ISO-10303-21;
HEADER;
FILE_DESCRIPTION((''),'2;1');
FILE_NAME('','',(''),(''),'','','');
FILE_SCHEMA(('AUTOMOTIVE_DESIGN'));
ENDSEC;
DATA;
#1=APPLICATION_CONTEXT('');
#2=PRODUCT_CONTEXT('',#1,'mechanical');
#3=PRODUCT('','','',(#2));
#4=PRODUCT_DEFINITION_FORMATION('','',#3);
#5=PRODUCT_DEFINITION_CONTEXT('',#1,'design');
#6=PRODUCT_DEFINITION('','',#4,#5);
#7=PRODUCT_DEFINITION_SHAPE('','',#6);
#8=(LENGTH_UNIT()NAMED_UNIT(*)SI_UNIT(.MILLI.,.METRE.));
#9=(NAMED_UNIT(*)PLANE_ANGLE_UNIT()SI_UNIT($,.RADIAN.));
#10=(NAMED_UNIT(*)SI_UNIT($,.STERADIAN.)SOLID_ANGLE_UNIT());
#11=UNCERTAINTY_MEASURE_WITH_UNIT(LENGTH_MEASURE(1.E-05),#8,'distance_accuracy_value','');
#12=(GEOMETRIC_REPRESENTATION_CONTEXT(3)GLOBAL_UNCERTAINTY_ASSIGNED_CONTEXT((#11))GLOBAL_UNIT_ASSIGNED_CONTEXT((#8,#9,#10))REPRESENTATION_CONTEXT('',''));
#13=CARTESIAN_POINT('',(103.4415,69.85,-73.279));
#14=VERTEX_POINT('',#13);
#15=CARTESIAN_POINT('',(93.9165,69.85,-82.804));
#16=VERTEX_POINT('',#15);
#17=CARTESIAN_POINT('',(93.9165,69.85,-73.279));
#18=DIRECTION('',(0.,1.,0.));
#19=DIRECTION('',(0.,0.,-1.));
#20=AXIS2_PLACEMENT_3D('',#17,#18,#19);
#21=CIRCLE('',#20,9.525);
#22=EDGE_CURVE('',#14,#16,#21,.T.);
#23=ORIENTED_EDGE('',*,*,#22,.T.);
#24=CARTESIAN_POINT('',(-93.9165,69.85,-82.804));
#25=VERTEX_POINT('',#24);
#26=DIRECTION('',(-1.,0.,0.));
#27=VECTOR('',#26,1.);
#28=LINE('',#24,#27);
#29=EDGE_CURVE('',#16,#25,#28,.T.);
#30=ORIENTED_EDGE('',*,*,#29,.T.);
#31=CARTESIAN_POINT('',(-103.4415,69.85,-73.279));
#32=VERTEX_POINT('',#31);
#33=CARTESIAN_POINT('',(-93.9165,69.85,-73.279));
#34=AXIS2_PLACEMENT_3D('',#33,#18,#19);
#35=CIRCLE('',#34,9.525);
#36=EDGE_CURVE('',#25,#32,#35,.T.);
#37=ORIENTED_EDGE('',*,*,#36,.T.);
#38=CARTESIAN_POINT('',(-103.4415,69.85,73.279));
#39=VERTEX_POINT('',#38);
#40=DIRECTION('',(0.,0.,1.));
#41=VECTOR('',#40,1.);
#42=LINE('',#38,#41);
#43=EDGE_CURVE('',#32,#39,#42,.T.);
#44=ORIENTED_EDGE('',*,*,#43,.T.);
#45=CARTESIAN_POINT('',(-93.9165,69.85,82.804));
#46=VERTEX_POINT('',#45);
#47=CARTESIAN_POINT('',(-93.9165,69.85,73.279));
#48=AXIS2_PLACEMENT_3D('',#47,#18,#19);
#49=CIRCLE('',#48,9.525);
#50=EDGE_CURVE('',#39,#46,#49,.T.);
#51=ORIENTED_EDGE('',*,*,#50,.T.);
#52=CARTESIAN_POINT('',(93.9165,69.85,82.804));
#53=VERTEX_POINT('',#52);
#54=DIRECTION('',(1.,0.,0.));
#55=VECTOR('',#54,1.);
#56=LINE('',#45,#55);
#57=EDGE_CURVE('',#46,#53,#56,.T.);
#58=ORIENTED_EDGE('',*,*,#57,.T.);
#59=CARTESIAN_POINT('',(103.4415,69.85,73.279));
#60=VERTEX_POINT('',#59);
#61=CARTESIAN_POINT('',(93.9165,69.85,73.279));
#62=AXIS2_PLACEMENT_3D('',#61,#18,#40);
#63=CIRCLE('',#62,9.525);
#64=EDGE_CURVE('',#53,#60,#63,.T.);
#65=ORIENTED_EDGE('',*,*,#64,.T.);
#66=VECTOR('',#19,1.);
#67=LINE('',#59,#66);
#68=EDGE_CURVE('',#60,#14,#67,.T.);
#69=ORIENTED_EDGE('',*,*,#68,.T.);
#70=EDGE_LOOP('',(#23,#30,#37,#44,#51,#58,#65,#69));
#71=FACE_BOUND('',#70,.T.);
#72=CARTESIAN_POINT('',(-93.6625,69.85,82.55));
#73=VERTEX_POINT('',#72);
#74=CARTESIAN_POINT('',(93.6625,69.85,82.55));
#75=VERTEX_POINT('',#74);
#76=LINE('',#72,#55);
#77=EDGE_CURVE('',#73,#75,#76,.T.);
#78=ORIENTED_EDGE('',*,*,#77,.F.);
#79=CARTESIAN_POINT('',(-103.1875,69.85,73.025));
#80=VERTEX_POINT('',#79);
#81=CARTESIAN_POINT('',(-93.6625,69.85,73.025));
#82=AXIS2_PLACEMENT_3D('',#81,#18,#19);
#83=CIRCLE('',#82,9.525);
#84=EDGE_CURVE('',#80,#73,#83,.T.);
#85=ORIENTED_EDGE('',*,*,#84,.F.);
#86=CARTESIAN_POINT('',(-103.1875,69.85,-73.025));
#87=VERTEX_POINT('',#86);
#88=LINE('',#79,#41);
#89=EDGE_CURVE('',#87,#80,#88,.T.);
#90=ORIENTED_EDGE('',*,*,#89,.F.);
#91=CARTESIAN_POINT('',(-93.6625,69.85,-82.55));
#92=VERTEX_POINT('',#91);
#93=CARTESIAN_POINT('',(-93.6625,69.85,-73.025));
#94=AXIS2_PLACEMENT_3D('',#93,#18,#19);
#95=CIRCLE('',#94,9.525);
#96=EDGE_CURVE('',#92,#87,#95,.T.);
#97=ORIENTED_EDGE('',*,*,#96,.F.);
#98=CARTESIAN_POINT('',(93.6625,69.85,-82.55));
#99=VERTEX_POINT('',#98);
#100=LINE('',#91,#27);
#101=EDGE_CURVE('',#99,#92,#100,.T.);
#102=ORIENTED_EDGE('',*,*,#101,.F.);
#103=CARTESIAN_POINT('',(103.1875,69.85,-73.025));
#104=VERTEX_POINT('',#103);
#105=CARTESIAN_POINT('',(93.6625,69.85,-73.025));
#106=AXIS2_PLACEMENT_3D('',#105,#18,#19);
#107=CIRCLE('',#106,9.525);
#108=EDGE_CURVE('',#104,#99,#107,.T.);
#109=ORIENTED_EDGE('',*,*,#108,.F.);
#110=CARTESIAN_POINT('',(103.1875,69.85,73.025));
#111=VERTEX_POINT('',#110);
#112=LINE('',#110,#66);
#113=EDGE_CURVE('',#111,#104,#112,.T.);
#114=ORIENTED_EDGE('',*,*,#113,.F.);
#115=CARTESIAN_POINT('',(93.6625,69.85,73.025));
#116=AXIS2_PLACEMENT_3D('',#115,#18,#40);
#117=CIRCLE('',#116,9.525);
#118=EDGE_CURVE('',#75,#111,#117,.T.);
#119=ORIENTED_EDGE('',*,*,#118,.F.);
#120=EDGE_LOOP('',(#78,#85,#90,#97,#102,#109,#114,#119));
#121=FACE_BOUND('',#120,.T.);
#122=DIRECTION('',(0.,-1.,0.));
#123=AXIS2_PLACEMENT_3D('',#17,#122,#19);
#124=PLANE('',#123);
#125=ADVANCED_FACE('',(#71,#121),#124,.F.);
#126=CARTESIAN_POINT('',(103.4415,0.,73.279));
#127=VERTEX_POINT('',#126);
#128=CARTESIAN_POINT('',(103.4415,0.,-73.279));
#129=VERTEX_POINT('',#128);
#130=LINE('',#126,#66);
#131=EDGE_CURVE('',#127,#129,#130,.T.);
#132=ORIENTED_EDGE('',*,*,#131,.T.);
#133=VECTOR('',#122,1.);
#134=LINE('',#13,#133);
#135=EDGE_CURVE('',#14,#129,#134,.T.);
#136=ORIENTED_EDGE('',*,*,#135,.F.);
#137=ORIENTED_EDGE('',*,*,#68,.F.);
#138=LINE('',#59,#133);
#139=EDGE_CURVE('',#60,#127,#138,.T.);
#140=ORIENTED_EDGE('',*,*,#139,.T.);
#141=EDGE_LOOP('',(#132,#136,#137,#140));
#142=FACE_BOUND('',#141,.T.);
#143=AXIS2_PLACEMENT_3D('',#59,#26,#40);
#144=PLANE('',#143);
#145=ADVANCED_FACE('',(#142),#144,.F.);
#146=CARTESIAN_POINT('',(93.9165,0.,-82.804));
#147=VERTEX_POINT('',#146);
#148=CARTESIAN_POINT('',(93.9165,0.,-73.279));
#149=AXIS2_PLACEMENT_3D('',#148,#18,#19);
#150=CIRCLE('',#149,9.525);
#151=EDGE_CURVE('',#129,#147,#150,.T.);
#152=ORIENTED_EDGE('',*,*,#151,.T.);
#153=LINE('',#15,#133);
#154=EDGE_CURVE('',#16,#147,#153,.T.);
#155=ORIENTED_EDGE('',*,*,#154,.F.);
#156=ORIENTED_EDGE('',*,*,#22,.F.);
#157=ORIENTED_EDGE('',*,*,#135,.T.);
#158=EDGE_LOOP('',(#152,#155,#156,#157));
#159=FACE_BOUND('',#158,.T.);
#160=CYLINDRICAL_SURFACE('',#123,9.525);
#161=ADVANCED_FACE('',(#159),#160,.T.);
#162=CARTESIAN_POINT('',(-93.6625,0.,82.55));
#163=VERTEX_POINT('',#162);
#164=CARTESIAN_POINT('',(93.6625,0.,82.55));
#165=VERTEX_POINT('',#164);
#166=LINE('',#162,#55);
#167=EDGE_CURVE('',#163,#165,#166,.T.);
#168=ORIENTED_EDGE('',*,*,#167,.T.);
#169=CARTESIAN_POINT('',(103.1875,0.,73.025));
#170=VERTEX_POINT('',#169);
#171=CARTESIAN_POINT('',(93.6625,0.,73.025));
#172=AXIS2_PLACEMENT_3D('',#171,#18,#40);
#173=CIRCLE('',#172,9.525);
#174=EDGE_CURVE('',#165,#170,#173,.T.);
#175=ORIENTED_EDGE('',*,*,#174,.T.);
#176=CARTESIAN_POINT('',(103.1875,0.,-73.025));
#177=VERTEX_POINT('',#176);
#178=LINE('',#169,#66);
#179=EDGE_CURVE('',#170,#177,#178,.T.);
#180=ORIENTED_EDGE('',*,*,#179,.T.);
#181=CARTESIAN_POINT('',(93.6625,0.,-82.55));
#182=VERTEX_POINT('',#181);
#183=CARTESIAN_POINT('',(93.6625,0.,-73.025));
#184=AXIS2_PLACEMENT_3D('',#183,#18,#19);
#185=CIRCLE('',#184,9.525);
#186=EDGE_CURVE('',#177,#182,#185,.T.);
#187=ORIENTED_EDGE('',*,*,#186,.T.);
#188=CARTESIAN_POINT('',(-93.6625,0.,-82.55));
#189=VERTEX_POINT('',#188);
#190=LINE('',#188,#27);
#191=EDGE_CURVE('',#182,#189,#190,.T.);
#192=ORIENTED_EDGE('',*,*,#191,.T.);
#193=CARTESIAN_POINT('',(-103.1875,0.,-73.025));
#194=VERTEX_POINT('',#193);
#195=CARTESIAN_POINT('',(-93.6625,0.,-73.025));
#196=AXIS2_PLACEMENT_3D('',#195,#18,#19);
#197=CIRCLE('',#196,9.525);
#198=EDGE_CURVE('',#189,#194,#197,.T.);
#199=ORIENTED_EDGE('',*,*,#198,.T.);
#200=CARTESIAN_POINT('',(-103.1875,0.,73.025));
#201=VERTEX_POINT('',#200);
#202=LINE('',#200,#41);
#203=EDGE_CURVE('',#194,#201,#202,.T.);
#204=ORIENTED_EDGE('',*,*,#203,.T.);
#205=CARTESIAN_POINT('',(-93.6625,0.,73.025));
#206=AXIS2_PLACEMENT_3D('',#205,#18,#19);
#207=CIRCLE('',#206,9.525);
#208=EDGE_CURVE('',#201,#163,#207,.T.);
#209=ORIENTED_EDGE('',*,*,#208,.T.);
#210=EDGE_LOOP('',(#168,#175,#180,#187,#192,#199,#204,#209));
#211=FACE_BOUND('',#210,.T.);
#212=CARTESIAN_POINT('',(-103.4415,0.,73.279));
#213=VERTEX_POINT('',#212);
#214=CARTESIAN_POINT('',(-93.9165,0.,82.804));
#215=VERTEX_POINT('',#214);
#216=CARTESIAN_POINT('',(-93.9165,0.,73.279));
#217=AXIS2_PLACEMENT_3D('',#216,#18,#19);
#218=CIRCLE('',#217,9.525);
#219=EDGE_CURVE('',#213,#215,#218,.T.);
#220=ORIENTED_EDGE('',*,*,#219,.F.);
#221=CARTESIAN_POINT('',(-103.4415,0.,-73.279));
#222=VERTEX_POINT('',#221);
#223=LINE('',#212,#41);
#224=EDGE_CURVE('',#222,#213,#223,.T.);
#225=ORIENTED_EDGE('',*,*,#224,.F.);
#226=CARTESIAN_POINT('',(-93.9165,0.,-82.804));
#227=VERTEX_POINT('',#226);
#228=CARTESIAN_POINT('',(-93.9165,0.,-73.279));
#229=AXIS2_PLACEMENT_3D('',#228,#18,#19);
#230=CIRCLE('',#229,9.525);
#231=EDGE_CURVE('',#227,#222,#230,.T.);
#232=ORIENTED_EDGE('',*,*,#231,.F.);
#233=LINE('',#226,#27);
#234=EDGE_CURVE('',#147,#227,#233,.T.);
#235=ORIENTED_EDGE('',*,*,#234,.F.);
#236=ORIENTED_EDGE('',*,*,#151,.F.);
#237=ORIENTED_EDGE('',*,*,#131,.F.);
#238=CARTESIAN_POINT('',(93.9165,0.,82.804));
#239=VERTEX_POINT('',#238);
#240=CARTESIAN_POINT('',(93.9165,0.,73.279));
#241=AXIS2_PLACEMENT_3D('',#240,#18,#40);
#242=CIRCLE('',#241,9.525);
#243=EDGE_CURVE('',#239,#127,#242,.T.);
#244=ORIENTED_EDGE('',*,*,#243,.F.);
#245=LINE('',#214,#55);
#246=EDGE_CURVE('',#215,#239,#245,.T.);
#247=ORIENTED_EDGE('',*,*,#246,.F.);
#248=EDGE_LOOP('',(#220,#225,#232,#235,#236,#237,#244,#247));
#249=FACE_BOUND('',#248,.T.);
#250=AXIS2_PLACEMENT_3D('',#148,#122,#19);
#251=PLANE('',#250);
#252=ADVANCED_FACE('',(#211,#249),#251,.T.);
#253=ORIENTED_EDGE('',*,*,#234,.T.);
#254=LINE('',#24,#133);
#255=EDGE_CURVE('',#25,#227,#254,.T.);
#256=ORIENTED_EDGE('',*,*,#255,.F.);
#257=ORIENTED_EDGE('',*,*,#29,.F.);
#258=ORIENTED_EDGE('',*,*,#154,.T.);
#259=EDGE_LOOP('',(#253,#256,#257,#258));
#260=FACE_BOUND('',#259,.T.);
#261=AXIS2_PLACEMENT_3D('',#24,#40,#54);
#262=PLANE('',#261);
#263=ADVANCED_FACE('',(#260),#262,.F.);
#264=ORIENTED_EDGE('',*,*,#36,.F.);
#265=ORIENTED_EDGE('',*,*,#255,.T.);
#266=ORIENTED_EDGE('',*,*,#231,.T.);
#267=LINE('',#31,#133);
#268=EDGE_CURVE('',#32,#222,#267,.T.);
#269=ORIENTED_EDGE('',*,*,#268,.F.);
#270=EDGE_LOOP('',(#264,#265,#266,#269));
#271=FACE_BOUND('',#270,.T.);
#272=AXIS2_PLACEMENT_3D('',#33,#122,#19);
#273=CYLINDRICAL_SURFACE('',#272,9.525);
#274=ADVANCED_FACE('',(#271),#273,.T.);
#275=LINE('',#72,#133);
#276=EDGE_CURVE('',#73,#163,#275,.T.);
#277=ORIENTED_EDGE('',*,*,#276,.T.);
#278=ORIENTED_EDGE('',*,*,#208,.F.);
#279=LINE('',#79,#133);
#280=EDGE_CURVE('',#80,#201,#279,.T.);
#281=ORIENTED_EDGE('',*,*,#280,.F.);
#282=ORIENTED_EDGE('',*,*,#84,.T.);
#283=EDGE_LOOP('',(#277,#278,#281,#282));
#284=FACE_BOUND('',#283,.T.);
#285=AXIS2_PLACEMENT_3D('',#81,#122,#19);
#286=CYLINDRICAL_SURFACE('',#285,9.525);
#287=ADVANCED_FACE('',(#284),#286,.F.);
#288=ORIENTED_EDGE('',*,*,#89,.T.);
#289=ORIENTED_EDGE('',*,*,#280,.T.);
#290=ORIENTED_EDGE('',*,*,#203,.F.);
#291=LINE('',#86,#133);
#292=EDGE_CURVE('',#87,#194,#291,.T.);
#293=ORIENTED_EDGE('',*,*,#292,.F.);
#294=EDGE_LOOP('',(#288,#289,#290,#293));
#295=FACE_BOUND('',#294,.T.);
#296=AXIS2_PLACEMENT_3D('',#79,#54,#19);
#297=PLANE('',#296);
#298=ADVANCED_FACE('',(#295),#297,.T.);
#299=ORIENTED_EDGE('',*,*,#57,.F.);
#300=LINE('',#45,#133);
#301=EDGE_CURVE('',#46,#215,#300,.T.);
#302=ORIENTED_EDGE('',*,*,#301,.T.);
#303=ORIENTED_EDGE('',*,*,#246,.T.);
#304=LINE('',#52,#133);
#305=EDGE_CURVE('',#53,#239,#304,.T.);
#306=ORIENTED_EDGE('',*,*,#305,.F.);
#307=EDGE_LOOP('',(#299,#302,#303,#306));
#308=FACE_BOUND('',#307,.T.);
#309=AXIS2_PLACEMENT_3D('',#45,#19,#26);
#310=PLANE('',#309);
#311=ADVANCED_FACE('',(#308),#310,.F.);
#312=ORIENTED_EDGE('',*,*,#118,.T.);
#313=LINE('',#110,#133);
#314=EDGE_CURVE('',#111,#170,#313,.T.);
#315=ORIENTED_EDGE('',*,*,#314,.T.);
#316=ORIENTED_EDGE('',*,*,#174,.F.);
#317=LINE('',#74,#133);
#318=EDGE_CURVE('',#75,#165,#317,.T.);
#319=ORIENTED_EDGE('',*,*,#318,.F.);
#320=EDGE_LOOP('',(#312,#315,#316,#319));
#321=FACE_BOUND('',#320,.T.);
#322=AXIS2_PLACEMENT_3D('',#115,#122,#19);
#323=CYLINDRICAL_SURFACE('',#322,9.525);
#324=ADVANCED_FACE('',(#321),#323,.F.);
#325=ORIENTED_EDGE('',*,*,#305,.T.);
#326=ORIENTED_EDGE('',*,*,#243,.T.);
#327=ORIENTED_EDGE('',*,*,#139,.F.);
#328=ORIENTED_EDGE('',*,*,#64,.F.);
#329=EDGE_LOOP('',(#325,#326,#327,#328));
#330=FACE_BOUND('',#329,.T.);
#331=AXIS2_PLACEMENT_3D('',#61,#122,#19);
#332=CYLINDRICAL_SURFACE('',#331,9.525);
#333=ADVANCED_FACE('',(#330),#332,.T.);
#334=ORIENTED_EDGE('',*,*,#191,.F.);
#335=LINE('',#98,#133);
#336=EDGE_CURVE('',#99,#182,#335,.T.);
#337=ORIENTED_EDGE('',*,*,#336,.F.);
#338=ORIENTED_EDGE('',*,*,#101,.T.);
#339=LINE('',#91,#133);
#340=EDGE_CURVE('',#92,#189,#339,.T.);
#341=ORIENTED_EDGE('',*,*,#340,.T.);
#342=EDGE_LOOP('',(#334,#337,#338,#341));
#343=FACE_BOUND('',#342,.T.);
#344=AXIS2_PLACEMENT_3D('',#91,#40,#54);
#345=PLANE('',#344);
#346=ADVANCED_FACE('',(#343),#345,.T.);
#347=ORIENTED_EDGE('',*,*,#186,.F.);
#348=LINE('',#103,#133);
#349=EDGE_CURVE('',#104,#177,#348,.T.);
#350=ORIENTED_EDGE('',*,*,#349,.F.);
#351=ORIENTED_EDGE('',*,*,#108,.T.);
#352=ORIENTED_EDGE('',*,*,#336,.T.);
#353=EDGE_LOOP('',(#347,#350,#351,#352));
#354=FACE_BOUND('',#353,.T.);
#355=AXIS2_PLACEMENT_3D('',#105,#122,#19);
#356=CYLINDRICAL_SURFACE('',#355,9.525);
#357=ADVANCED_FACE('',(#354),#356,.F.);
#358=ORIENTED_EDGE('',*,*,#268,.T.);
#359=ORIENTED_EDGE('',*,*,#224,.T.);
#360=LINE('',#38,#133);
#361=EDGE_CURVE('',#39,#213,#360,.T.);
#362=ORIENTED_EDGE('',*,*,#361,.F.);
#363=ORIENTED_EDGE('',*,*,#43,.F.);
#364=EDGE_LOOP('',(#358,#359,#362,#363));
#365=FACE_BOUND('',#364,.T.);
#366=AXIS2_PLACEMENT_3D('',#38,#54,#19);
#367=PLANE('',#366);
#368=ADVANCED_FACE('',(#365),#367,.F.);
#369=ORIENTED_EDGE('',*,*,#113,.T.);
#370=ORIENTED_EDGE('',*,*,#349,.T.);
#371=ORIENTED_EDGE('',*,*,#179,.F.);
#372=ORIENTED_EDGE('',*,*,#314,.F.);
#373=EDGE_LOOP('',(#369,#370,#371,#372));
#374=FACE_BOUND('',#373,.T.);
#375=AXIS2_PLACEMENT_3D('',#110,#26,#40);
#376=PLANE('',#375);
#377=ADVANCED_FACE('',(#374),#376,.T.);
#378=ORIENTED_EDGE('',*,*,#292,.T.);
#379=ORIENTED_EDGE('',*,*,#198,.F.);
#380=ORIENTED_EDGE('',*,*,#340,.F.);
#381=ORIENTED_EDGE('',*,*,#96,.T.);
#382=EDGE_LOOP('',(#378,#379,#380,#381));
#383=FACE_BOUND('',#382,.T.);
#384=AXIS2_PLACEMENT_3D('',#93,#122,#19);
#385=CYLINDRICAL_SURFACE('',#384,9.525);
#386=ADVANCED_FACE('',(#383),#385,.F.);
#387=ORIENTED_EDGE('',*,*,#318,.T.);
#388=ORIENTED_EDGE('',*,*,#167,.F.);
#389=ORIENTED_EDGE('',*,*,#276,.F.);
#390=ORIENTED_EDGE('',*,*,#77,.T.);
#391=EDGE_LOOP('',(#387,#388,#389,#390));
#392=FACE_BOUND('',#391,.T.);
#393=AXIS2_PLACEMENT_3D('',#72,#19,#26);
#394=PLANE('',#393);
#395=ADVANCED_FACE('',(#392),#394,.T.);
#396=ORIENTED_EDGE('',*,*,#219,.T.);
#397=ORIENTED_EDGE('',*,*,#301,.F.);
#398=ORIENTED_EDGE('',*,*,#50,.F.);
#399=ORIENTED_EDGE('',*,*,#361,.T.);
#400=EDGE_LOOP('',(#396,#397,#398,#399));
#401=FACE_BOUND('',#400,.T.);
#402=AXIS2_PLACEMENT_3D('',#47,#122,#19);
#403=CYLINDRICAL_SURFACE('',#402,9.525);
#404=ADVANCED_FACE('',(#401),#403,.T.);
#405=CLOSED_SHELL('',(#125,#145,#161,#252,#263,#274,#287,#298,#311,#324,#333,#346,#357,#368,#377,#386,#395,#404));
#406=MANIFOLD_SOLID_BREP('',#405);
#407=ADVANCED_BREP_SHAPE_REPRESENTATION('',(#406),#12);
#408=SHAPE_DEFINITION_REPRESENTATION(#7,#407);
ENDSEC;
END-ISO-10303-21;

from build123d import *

# Parameters (mm, degrees)
BOSS_EXTRUDE1_DEPTH = 69.85


with BuildPart() as part:
    # Sketch1 → Boss-Extrude1 (new body)
    with BuildSketch(Plane(origin=(0, 0, 0), x_dir=(1, 0, 0), z_dir=(0, 1, 0))):
        with BuildLine():
            Line((-93.9165, -82.804), (93.9165, -82.804))
            ThreePointArc((93.9165, -82.804), (100.651692091, -80.014192091), (103.4415, -73.279))
            Line((103.4415, -73.279), (103.4415, 73.279))
            ThreePointArc((103.4415, 73.279), (100.651692091, 80.014192091), (93.9165, 82.804))
            Line((93.9165, 82.804), (-93.9165, 82.804))
            ThreePointArc((-93.9165, 82.804), (-100.651692091, 80.014192091), (-103.4415, 73.279))
            Line((-103.4415, 73.279), (-103.4415, -73.279))
            ThreePointArc((-103.4415, -73.279), (-100.651692091, -80.014192091), (-93.9165, -82.804))
        make_face()
        with BuildLine():
            Line((-93.6625, -82.55), (93.6625, -82.55))
            ThreePointArc((93.6625, -82.55), (100.397692091, -79.760192091), (103.1875, -73.025))
            Line((103.1875, -73.025), (103.1875, 73.025))
            ThreePointArc((103.1875, 73.025), (100.397692091, 79.760192091), (93.6625, 82.55))
            Line((93.6625, 82.55), (-93.6625, 82.55))
            ThreePointArc((-93.6625, 82.55), (-100.397692091, 79.760192091), (-103.1875, 73.025))
            Line((-103.1875, 73.025), (-103.1875, -73.025))
            ThreePointArc((-103.1875, -73.025), (-100.397692091, -79.760192091), (-93.6625, -82.55))
        make_face(mode=Mode.SUBTRACT)
    extrude(amount=BOSS_EXTRUDE1_DEPTH)


solid = part.part
